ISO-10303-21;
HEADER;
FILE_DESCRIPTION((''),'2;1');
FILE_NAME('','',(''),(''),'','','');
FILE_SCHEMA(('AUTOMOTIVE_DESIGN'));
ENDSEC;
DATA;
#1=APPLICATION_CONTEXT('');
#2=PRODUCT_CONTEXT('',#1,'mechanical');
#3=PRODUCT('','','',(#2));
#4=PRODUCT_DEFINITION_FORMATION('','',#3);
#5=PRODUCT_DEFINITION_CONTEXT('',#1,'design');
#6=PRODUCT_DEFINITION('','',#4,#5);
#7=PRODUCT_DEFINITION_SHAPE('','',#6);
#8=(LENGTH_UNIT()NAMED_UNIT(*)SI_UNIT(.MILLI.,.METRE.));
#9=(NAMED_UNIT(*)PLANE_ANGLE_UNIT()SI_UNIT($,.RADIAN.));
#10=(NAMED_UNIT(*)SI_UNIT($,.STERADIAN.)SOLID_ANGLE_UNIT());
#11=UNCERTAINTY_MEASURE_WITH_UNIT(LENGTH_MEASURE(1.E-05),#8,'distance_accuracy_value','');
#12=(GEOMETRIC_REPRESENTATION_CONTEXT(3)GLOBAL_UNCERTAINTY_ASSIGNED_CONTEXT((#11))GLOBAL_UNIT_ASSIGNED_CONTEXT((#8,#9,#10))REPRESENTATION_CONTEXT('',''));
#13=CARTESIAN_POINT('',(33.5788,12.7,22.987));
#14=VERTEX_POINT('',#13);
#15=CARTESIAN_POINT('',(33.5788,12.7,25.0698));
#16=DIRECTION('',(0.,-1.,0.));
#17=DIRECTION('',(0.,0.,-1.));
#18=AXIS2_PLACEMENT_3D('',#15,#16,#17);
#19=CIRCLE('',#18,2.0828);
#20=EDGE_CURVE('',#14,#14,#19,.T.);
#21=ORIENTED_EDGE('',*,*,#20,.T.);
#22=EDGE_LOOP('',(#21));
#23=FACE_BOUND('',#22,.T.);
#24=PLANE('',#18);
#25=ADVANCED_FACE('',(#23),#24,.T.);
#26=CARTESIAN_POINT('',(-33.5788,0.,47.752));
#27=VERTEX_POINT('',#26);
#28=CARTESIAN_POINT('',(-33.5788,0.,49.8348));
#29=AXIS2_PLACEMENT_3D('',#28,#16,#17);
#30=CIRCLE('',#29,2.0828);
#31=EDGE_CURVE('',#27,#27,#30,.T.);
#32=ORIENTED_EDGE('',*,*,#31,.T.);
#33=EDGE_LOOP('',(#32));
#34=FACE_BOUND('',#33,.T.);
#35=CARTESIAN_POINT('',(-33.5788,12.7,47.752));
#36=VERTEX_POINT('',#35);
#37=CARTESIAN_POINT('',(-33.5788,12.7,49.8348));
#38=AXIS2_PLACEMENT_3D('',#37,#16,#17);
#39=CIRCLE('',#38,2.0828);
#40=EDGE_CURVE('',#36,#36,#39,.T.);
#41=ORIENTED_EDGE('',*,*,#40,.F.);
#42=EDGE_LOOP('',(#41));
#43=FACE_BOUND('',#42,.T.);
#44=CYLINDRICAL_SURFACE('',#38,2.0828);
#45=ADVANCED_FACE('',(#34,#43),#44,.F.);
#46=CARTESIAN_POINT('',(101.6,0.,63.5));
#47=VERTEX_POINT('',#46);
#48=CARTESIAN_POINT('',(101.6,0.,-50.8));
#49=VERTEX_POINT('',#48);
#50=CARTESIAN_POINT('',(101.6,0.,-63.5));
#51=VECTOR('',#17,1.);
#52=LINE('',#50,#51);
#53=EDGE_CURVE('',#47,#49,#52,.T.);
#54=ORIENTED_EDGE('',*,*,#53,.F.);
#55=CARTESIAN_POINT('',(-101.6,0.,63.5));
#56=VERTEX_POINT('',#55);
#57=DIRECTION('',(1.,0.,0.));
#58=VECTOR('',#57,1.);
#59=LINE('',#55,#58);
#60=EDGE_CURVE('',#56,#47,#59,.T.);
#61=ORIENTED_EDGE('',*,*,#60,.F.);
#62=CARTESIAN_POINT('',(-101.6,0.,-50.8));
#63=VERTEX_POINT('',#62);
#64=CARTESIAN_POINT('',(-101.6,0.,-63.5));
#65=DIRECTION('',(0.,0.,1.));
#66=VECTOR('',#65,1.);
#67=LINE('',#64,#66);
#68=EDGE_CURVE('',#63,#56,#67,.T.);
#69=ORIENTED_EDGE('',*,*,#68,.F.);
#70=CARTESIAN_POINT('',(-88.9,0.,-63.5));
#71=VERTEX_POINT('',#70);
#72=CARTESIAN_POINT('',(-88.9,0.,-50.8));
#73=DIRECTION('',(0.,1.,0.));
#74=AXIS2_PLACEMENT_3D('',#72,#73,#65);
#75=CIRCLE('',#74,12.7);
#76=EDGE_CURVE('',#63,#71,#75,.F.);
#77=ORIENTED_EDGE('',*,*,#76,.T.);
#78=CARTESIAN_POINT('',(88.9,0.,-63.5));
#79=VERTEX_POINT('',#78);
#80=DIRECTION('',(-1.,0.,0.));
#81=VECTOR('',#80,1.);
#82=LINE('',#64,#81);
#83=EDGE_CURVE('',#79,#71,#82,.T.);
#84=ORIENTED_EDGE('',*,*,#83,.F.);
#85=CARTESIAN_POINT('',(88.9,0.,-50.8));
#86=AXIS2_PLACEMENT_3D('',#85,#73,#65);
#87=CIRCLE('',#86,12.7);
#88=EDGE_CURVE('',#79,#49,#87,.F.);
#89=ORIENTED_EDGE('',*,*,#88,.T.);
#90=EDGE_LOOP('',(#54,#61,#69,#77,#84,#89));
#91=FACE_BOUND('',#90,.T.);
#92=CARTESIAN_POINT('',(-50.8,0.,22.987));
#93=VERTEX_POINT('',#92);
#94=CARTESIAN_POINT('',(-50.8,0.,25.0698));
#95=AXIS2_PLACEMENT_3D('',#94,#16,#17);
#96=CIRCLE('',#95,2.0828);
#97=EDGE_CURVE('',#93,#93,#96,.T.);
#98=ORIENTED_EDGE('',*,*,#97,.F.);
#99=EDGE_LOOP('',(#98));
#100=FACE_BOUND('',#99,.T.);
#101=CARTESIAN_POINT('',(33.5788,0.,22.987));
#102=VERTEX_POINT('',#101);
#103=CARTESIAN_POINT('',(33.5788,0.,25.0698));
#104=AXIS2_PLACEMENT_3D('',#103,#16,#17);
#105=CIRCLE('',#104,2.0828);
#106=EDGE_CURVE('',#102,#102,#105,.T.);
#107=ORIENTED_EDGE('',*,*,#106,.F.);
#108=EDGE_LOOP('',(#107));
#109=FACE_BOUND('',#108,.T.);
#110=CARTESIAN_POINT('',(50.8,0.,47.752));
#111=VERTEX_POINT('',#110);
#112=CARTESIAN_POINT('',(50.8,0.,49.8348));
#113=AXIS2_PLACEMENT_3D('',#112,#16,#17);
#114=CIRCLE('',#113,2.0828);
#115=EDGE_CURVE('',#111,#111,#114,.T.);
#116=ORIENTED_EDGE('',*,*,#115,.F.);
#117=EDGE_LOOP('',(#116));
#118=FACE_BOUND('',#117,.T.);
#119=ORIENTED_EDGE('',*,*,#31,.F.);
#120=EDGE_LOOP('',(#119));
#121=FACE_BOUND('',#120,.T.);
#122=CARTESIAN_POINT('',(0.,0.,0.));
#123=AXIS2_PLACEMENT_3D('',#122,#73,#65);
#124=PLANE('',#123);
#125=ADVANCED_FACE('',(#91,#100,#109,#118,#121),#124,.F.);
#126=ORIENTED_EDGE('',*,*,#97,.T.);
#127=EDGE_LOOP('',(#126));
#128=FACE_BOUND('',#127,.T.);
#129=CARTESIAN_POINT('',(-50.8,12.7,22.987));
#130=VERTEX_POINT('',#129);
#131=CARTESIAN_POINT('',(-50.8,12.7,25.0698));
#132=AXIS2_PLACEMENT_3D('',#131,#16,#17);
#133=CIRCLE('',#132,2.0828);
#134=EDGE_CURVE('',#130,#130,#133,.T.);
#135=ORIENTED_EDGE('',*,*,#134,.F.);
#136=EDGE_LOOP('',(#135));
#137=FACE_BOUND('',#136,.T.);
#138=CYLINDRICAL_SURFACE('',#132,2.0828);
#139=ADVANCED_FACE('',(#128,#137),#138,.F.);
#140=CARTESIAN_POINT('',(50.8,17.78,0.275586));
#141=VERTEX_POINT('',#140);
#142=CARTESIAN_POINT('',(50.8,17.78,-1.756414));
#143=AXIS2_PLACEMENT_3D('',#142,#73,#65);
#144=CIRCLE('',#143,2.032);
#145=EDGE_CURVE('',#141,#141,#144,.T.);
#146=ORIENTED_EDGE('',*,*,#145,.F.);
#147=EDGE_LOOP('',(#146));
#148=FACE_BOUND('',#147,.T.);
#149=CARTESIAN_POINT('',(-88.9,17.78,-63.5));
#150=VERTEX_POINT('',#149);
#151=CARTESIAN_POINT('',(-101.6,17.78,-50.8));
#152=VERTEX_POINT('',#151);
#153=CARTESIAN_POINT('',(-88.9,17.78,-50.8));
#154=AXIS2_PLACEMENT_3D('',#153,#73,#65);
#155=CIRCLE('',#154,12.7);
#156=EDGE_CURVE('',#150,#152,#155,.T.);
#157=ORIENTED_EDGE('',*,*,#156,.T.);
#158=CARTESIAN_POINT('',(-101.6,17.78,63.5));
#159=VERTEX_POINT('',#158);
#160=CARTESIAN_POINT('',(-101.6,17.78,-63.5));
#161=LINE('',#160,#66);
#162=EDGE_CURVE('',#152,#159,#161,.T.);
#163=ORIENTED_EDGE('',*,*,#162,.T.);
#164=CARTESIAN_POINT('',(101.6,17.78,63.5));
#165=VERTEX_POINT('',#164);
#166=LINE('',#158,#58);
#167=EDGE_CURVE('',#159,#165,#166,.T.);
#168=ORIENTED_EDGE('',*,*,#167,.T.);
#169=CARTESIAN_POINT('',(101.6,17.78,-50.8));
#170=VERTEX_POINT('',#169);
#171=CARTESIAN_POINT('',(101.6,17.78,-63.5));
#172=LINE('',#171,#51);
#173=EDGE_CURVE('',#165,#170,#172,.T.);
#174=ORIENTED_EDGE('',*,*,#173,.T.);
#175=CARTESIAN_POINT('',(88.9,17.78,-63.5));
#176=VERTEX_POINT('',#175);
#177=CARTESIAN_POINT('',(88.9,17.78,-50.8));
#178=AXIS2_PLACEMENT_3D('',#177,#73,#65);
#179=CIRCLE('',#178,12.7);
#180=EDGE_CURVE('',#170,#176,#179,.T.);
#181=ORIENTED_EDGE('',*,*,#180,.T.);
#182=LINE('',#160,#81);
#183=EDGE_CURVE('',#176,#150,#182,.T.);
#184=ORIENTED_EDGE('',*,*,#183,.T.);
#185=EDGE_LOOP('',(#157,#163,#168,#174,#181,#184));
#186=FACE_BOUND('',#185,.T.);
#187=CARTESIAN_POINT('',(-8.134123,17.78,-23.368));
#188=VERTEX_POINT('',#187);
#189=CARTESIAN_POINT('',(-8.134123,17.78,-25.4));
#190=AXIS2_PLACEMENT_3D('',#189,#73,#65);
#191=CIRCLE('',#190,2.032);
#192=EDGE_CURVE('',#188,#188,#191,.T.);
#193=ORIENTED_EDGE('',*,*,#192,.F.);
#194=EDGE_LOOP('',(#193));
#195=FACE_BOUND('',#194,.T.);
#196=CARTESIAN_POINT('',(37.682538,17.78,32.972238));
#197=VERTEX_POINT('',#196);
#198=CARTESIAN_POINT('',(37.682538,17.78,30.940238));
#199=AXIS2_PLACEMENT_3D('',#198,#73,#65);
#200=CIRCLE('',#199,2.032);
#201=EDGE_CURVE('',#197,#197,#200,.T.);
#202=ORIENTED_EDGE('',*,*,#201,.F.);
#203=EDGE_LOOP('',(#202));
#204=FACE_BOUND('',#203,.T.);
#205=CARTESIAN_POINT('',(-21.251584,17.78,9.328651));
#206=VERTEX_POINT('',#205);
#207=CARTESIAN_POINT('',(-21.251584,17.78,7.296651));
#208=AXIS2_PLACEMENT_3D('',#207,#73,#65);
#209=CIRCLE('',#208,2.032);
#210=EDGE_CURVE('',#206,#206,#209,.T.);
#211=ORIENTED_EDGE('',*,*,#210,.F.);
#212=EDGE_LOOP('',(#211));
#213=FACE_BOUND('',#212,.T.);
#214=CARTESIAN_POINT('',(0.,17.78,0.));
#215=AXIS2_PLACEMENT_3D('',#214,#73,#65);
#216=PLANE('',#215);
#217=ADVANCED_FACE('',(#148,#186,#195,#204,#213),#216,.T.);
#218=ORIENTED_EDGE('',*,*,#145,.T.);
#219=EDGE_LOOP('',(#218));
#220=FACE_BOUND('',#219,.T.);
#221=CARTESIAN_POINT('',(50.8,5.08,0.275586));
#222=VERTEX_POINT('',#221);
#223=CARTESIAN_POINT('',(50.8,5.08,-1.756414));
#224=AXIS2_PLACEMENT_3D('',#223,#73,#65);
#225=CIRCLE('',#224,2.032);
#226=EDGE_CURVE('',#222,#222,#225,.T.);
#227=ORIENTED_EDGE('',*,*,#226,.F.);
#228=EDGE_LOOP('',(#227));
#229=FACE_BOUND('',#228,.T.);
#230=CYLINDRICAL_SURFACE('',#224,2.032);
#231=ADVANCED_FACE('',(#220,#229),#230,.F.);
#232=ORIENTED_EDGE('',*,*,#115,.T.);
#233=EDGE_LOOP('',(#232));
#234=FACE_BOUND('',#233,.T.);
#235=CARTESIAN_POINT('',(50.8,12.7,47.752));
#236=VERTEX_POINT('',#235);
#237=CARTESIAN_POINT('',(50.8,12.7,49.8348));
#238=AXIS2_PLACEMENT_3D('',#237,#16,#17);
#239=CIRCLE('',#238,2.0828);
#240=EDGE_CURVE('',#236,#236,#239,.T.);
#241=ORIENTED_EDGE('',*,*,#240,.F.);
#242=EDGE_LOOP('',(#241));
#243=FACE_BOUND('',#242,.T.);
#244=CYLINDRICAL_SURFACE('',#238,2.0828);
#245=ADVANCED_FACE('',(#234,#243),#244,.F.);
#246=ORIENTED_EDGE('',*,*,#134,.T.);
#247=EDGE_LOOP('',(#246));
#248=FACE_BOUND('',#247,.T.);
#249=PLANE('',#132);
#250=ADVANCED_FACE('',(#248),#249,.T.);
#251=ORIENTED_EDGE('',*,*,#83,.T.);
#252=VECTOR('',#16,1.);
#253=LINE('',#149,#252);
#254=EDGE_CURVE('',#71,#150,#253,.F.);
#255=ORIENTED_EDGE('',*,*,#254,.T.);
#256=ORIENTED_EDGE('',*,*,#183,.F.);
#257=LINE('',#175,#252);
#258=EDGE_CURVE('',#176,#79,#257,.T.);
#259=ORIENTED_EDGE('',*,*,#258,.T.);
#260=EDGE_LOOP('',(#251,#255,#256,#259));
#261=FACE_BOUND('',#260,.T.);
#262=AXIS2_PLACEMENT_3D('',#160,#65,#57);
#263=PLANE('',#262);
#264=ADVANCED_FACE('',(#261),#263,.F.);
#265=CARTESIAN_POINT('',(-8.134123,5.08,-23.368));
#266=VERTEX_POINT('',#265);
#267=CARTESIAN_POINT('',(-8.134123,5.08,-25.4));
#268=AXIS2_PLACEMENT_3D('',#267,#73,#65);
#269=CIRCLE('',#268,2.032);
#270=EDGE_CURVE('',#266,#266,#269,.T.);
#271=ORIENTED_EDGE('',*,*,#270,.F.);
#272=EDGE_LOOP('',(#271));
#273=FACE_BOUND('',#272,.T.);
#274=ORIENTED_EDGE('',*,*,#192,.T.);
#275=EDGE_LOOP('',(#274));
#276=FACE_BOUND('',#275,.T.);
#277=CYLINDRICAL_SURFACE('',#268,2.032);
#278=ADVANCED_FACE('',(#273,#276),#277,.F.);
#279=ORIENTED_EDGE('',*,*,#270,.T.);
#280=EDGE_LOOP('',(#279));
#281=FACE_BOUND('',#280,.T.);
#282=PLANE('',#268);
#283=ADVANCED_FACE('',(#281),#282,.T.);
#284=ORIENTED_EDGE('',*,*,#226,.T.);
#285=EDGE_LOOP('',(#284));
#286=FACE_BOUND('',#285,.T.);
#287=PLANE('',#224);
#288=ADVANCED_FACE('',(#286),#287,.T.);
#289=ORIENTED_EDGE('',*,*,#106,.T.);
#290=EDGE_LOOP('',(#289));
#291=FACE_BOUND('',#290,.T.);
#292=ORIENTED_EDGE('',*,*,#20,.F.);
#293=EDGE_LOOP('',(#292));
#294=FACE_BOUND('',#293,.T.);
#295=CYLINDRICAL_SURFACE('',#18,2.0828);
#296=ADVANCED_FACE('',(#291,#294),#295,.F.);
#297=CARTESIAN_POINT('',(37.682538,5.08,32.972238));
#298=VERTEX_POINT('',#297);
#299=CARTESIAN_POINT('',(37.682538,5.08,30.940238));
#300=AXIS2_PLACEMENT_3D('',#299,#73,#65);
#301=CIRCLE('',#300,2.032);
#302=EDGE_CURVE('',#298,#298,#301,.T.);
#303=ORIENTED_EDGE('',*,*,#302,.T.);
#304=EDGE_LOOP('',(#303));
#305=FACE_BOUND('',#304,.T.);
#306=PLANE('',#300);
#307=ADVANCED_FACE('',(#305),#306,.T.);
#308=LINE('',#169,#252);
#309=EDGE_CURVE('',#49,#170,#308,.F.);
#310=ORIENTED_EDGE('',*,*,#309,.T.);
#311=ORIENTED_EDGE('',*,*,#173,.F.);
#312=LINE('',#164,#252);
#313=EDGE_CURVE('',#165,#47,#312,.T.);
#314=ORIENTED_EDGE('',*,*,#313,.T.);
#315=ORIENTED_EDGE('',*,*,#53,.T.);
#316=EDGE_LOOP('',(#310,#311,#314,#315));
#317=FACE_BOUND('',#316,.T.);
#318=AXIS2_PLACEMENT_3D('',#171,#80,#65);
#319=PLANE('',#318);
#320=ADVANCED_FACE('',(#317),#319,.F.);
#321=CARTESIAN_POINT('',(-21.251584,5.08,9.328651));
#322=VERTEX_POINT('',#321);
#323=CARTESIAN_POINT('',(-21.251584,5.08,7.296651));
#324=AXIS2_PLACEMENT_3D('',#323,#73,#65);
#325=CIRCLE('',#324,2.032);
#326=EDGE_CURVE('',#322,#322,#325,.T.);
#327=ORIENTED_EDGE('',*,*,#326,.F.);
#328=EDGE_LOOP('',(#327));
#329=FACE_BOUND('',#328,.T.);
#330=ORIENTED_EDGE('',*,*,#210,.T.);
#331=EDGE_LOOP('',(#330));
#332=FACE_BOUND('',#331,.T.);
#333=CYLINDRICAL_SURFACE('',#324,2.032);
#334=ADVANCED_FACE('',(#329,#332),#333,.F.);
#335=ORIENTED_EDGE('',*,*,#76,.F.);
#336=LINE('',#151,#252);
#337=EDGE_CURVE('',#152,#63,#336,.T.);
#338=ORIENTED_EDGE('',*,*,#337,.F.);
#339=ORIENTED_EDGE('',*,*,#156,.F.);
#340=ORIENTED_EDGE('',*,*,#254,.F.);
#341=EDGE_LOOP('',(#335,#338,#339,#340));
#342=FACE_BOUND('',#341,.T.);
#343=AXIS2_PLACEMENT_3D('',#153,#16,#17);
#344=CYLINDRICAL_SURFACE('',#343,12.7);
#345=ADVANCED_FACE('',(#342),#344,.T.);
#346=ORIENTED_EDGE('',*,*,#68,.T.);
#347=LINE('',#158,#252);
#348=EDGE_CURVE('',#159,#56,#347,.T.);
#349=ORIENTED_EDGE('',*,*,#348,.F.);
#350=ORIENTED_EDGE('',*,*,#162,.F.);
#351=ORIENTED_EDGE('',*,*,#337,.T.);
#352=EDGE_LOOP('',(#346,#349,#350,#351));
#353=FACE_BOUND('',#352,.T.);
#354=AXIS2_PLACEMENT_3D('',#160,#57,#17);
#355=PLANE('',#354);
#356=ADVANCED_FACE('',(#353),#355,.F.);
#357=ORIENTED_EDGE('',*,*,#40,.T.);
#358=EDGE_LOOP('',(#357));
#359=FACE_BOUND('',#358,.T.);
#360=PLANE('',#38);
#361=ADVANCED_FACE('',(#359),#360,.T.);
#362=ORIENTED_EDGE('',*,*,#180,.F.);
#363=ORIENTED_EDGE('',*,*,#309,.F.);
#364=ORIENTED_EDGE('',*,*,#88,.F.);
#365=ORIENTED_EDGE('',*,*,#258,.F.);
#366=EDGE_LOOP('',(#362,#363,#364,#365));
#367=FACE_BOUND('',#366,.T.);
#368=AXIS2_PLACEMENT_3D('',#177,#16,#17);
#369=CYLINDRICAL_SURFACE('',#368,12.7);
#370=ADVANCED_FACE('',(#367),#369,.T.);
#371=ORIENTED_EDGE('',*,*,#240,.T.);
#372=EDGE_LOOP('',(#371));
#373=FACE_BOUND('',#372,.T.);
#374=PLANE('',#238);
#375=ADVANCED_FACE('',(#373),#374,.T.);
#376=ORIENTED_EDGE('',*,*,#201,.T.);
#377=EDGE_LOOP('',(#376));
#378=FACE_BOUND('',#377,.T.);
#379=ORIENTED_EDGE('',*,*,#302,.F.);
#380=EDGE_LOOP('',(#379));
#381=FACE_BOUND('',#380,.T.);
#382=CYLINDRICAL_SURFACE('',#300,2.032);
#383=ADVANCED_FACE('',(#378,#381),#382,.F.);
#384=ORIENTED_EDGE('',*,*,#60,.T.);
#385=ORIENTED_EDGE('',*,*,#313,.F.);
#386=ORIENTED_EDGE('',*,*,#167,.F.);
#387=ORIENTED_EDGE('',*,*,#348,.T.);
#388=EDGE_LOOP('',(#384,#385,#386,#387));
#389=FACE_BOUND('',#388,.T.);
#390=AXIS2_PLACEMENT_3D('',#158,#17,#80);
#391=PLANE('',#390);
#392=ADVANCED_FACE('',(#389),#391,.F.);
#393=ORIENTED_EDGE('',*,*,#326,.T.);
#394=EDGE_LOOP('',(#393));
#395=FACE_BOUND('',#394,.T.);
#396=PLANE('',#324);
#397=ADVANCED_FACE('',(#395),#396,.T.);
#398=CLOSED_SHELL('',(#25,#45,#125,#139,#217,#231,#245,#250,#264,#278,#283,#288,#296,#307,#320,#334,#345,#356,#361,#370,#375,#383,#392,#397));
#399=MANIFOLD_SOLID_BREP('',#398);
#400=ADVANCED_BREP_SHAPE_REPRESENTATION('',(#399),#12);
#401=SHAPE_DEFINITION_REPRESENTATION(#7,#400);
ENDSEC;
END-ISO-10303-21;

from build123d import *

# Parameters (mm, degrees)
SKETCH2_W           = 203.2
SKETCH2_H           = 127
BOSS_EXTRUDE2_DEPTH = 17.78
FILLET1_R           = 12.7
SKETCH5_R           = 2.0828
CUT_EXTRUDE2_DEPTH  = 12.7
SKETCH6_R           = 2.032
CUT_EXTRUDE3_DEPTH  = 12.7


with BuildPart() as part:
    # Sketch2 → Boss-Extrude2 (new body)
    with BuildSketch(Plane(origin=(0, 0, 0), x_dir=(1, 0, 0), z_dir=(0, 1, 0))):
        Rectangle(SKETCH2_W, SKETCH2_H)
    extrude(amount=BOSS_EXTRUDE2_DEPTH)

    # Fillet1
    fillet1_edges = [part.edges().sort_by_distance(p)[0] for p in [
        (-101.6, 8.89, -63.5),
        (101.6, 8.89, -63.5),
    ]]
    fillet(fillet1_edges, radius=FILLET1_R)

    # Sketch5 → Cut-Extrude2 (cut)
    with BuildSketch(Plane.XZ):
        with Locations((50.8, 49.8348)):
            Circle(SKETCH5_R)
        with Locations((33.5788, 25.0698)):
            Circle(SKETCH5_R)
        with Locations((-50.8, 25.0698)):
            Circle(SKETCH5_R)
        with Locations((-33.5788, 49.8348)):
            Circle(SKETCH5_R)
    extrude(amount=-CUT_EXTRUDE2_DEPTH, mode=Mode.SUBTRACT)

    # Sketch6 → Cut-Extrude3 (cut)
    with BuildSketch(Plane(origin=(0, 17.78, 0), x_dir=(1, 0, 0), z_dir=(0, 1, 0))):
        with Locations((-8.13412282, 25.4)):
            Circle(SKETCH6_R)
        with Locations((50.8, 1.756413821)):
            Circle(SKETCH6_R)
        with Locations((-21.251584432, -7.296651341)):
            Circle(SKETCH6_R)
        with Locations((37.682538388, -30.94023752)):
            Circle(SKETCH6_R)
    extrude(amount=-CUT_EXTRUDE3_DEPTH, mode=Mode.SUBTRACT)


solid = part.part
